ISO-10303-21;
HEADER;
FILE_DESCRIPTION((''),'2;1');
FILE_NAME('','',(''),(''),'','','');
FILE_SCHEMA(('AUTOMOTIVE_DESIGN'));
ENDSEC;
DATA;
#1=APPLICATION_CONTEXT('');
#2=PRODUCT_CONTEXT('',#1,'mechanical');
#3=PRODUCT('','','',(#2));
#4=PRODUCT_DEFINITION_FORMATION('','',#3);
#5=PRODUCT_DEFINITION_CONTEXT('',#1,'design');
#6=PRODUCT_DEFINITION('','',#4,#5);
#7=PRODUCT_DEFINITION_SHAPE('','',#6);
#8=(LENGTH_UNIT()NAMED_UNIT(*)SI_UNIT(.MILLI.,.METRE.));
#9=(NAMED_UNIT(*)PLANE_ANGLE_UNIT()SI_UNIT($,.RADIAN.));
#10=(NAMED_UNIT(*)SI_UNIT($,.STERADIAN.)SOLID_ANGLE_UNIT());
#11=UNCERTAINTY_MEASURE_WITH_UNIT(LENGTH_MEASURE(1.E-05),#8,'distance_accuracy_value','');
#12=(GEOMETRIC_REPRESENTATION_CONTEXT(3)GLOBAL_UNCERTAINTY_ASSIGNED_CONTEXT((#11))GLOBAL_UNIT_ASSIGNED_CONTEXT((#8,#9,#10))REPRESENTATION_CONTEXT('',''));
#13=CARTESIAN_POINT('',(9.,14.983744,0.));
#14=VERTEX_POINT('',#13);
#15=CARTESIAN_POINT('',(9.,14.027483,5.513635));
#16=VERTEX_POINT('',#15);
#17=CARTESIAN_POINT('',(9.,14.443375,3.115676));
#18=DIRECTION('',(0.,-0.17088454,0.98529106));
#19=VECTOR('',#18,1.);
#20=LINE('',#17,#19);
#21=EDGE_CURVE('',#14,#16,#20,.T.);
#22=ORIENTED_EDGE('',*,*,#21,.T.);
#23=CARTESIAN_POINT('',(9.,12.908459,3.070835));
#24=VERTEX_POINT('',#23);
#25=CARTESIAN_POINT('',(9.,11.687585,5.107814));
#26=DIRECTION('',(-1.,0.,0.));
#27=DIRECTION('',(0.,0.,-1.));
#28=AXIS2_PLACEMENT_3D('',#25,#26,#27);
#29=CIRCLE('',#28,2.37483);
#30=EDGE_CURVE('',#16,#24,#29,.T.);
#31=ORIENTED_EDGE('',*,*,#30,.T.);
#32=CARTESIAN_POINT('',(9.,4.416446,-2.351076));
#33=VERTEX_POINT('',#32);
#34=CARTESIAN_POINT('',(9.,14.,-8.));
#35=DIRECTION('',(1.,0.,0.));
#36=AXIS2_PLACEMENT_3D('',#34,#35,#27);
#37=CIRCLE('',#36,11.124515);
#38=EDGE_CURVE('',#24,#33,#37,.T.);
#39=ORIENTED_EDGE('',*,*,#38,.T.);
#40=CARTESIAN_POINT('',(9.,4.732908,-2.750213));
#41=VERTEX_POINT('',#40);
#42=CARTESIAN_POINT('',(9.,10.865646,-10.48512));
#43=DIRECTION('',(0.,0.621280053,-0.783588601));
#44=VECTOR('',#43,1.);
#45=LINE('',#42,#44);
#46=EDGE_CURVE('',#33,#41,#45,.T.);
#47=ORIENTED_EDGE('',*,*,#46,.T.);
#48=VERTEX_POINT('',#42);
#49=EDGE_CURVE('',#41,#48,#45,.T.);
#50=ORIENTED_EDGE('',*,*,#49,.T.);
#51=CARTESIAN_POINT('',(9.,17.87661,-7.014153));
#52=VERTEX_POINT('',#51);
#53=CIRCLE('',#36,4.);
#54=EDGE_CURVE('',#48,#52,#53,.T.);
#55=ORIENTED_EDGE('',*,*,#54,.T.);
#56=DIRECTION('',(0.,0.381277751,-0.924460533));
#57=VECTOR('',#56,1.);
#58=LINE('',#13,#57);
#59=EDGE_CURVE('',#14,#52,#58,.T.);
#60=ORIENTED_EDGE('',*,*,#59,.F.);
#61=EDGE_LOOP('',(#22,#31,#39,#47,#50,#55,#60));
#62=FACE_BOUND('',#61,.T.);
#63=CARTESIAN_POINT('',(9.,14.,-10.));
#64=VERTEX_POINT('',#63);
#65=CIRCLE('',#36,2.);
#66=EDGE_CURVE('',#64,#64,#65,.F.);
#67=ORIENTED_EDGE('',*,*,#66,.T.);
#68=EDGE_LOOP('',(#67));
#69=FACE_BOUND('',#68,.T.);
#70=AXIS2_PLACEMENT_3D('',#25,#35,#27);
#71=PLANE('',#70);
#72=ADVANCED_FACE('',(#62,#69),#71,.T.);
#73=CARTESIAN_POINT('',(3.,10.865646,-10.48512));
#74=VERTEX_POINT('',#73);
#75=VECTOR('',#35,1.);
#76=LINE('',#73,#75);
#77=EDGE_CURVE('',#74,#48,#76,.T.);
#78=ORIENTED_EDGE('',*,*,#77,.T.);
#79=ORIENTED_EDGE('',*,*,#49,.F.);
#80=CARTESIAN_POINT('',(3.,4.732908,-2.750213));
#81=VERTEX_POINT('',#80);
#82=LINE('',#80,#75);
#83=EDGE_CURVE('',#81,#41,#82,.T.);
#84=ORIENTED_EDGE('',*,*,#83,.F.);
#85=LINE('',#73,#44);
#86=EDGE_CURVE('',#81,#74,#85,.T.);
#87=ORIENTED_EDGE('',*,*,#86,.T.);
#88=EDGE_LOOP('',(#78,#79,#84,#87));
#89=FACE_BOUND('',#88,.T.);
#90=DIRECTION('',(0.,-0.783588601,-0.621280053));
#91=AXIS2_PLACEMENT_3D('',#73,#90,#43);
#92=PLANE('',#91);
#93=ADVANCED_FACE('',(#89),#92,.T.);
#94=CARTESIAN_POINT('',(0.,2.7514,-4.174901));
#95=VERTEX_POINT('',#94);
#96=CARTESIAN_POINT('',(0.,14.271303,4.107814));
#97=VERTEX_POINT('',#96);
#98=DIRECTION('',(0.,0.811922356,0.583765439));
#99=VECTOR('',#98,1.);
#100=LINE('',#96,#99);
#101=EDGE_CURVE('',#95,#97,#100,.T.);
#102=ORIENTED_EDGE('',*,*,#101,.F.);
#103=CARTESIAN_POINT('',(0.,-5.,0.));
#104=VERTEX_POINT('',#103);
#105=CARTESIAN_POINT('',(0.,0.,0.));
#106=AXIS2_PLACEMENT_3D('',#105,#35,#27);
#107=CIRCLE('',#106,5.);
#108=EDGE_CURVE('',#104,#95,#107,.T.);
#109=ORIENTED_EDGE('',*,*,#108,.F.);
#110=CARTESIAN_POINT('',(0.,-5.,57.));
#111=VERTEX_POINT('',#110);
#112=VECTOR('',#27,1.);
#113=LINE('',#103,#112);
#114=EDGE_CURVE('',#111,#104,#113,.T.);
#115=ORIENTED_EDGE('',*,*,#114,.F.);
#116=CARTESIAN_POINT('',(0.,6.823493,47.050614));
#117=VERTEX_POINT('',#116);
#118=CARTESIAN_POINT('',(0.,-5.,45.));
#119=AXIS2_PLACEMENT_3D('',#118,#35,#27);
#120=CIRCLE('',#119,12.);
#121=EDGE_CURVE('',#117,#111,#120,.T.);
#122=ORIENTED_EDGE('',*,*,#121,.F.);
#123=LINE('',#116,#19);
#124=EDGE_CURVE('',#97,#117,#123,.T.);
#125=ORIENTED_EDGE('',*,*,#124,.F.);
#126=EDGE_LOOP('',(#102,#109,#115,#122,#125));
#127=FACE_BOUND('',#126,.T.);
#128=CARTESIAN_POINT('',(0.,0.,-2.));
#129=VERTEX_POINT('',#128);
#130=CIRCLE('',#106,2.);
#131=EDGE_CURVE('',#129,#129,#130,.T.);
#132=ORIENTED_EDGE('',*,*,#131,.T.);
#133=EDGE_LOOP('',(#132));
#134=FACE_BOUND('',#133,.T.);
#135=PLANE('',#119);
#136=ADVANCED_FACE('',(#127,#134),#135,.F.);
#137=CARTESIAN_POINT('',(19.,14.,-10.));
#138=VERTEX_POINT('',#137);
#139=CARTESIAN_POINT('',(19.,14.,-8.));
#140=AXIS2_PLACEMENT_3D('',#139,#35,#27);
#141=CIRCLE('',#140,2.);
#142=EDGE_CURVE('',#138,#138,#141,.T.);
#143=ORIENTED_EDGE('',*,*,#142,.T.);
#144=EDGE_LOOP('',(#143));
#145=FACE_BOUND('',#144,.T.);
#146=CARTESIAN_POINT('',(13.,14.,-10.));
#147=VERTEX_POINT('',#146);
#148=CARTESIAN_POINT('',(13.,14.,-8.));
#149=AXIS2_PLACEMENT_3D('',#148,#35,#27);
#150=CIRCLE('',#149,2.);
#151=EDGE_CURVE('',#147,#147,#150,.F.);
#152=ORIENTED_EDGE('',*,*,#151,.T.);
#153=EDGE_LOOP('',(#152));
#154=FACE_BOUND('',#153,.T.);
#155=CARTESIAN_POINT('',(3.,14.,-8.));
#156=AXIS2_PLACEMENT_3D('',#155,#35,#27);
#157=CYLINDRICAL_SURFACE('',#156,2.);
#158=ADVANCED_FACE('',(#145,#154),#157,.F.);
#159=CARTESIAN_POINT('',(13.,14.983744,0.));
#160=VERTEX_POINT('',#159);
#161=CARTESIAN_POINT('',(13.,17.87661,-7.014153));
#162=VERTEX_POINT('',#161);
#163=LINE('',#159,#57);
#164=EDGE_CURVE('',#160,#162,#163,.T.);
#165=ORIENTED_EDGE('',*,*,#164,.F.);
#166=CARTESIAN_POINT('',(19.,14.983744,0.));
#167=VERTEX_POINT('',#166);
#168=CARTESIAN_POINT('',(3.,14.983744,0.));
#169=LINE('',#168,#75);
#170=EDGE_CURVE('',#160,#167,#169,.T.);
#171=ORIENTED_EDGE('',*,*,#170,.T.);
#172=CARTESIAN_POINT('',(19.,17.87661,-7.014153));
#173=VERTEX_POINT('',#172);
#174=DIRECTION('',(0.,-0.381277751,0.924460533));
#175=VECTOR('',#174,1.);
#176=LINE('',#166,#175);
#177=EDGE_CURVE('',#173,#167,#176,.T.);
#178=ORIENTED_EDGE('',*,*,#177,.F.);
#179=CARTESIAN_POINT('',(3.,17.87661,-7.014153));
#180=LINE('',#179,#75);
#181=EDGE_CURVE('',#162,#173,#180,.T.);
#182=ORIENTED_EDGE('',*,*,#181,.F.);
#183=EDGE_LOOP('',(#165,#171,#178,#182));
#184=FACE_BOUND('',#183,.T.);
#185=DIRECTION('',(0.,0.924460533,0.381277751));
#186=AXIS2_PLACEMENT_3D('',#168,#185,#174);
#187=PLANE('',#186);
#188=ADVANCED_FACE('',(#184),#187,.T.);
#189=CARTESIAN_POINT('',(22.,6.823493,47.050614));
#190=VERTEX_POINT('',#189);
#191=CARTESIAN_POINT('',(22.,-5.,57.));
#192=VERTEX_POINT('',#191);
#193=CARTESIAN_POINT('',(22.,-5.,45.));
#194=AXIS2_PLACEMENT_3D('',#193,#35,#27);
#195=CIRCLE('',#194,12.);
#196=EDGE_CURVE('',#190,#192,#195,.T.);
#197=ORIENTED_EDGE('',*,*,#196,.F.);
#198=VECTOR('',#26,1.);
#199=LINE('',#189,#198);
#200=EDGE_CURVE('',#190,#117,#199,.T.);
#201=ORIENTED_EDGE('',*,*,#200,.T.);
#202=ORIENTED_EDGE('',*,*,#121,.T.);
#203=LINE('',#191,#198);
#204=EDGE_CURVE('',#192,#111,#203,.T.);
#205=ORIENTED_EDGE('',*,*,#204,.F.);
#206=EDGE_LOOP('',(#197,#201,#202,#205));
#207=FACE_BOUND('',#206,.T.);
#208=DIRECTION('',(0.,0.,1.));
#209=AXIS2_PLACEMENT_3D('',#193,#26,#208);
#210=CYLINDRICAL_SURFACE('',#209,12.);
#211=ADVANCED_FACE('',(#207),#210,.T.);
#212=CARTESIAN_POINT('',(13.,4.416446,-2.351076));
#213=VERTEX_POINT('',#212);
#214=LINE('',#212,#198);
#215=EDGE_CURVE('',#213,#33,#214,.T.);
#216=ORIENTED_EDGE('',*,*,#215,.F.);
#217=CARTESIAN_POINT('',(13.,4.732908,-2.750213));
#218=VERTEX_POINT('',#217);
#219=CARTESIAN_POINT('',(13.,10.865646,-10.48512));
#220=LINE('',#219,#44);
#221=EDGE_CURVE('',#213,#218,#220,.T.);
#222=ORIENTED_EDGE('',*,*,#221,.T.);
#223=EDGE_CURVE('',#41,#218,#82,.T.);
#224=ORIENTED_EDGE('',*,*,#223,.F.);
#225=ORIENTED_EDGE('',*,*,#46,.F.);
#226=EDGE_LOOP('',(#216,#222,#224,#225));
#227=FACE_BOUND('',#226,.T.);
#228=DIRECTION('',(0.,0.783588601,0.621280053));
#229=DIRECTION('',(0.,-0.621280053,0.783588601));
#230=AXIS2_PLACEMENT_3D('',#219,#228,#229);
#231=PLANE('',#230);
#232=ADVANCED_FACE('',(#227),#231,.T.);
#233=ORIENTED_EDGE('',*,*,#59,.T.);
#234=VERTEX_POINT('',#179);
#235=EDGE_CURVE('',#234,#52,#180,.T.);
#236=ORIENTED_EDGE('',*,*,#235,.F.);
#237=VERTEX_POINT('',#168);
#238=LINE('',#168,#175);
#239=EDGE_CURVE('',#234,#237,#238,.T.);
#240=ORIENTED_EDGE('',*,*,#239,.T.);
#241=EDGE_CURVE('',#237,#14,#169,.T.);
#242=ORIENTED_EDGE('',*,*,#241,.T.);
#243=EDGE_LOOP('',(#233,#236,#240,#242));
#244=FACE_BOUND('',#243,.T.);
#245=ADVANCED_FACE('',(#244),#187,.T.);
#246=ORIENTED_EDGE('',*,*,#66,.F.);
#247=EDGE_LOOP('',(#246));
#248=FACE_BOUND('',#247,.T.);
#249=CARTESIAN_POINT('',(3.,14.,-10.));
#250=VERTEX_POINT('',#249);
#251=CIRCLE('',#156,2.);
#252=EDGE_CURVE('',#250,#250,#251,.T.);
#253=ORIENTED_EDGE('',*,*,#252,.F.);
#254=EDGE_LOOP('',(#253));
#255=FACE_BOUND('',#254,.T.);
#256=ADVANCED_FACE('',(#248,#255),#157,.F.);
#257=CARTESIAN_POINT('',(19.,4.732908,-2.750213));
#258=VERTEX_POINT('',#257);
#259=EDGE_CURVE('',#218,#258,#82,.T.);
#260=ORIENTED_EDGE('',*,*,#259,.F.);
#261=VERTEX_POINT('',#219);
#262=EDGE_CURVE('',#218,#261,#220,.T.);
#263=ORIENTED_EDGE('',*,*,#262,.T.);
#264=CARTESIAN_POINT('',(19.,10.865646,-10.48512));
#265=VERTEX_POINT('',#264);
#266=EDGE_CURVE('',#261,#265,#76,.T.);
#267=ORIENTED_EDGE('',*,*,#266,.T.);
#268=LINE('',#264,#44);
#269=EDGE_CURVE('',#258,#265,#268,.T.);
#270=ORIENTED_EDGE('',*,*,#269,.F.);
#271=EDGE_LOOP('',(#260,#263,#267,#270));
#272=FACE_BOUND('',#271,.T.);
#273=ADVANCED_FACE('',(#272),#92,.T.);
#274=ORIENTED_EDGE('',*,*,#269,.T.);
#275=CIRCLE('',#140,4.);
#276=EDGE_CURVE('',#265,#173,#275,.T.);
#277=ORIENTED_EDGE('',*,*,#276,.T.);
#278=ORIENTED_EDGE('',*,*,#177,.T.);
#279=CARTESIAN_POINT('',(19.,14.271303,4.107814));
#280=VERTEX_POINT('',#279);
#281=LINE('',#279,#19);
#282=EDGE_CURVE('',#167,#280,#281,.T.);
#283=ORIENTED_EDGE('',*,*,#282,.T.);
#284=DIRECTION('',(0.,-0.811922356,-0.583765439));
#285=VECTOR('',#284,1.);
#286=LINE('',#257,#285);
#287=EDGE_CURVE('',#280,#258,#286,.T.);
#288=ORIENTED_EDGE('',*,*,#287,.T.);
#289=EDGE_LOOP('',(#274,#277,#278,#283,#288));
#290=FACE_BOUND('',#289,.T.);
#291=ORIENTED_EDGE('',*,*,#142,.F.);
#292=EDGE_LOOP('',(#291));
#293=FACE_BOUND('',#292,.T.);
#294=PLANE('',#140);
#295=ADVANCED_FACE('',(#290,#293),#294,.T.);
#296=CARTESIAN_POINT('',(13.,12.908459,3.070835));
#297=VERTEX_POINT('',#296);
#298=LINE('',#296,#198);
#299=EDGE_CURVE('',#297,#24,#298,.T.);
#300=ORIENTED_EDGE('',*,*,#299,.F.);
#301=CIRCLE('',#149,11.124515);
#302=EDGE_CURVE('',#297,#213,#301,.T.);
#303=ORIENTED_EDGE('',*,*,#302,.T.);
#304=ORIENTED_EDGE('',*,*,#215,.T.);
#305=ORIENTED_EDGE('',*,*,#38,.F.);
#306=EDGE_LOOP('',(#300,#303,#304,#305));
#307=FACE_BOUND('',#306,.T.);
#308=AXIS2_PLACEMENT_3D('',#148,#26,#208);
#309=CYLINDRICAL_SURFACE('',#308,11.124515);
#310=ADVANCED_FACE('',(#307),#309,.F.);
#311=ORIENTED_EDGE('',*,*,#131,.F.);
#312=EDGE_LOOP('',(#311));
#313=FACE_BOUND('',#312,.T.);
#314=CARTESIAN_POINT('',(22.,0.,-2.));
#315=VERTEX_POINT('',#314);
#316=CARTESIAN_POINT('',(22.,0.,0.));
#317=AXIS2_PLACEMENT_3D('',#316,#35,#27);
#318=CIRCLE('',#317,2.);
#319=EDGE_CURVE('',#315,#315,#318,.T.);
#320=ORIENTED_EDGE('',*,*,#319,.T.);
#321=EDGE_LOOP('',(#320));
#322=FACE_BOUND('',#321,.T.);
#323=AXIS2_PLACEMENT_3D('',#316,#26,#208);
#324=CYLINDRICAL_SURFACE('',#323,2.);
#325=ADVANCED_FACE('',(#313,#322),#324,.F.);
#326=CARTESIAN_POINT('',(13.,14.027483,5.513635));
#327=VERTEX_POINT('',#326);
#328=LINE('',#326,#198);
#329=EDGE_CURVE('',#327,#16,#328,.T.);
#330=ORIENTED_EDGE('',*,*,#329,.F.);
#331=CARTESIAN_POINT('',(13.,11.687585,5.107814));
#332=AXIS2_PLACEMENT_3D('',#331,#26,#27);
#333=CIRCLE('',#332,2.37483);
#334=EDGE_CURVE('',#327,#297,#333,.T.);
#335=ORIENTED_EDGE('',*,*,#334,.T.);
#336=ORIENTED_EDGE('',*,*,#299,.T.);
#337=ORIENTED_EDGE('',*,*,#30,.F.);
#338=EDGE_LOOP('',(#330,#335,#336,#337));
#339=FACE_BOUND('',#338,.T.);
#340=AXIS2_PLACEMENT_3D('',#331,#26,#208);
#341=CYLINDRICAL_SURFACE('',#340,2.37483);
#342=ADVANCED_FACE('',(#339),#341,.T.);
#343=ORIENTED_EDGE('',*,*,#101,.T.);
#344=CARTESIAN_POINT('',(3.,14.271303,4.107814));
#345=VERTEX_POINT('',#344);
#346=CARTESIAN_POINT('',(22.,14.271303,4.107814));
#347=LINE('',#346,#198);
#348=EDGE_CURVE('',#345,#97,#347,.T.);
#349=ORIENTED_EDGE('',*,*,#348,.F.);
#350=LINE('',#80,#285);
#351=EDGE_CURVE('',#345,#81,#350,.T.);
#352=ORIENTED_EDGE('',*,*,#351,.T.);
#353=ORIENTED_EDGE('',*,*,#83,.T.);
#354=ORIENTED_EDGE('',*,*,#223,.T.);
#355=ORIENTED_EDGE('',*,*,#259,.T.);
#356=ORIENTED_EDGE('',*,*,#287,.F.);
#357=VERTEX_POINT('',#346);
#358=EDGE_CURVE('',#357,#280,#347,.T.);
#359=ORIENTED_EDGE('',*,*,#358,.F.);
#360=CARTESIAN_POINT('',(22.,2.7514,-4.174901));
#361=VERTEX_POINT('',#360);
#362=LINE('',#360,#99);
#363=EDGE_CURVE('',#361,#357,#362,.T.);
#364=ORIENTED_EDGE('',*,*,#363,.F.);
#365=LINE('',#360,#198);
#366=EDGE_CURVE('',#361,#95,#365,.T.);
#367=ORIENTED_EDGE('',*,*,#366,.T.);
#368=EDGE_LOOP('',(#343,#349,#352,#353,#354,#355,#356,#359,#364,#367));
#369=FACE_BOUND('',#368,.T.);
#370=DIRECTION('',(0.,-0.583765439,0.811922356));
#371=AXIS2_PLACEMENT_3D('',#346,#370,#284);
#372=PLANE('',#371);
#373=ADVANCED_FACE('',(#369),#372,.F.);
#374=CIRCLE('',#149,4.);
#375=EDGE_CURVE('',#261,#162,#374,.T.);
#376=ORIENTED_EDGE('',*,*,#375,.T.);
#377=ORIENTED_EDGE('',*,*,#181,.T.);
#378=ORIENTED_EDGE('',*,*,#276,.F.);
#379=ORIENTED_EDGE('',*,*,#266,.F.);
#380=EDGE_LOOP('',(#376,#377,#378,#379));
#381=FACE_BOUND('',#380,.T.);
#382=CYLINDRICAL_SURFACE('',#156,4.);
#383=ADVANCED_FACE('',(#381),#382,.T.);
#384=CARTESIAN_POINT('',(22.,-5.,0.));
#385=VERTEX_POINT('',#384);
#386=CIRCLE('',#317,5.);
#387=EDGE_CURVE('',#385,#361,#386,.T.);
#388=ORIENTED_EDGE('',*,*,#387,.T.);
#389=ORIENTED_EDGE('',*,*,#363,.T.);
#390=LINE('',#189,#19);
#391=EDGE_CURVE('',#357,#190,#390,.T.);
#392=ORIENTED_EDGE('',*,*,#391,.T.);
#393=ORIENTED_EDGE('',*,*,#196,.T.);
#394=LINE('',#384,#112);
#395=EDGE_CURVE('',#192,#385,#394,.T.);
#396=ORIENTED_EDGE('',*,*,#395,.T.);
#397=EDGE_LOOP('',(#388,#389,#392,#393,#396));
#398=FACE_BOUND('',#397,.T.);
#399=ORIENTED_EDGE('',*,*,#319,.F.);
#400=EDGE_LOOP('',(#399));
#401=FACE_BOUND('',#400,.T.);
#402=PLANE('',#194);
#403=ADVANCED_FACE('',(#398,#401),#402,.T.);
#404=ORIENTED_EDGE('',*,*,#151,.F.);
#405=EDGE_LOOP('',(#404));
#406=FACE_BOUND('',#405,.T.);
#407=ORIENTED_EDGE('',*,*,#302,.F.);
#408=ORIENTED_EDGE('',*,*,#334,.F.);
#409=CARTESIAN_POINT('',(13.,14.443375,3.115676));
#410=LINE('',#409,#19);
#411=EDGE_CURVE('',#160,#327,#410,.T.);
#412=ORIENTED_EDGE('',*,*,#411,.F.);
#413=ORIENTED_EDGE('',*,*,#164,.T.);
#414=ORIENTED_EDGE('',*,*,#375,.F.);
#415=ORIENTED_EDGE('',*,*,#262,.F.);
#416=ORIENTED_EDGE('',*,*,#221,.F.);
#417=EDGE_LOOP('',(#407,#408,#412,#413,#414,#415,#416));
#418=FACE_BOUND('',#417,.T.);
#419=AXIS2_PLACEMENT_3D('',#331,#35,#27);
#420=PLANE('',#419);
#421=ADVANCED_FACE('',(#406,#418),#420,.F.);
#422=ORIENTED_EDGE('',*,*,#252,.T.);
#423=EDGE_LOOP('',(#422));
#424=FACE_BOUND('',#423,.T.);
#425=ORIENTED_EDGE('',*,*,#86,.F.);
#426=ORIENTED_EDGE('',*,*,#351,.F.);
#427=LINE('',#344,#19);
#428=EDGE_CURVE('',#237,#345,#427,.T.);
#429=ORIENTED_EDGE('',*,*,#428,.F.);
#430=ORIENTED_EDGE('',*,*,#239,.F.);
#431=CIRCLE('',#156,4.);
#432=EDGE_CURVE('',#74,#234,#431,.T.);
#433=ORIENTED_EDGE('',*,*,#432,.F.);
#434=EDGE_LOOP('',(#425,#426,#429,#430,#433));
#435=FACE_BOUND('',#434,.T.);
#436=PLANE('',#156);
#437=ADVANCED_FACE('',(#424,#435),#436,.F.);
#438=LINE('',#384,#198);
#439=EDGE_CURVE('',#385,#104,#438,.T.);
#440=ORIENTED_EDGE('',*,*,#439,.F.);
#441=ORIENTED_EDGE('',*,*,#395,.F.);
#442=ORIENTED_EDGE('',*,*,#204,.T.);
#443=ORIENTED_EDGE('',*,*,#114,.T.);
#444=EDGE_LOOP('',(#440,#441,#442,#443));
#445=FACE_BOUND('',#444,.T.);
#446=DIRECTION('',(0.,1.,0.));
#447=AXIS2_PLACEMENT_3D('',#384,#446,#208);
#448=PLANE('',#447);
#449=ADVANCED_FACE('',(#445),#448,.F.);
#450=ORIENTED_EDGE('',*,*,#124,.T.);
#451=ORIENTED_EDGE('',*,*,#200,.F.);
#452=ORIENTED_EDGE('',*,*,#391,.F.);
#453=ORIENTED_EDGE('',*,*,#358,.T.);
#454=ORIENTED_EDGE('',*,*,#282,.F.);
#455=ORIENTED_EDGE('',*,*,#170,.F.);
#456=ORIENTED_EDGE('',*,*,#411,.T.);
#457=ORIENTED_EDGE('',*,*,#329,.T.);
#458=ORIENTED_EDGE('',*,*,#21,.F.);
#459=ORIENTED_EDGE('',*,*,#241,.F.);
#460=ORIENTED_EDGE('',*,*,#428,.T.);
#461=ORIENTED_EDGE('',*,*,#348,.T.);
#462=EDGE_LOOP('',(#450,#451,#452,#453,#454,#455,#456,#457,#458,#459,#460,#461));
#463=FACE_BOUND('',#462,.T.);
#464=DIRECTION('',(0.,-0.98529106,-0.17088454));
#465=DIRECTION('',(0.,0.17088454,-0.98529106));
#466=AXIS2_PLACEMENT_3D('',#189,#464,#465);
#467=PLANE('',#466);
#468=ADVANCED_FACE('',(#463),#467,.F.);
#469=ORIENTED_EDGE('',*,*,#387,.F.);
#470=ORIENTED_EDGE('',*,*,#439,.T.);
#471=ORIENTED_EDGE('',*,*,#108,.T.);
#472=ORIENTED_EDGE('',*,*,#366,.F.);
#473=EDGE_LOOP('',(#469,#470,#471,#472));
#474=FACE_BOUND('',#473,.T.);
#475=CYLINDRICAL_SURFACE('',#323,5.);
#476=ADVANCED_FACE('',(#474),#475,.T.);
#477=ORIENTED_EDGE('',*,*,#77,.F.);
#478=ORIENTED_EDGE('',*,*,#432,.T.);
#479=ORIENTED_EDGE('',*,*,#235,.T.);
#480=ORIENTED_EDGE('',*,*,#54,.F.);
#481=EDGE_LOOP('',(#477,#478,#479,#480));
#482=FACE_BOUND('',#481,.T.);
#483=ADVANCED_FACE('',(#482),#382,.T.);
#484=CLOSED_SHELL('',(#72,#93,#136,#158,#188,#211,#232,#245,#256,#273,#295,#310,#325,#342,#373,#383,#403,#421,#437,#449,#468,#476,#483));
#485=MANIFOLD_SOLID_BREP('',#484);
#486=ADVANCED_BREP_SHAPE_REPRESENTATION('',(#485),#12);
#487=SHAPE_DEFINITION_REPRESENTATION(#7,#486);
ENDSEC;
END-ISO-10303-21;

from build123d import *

# Parameters (mm, degrees)
SKETCH2_R                = 2
BOSS_EXTRUDE1_DEPTH      = 22
BOSS_EXTRUDE2_DEPTH      = 8
BOSS_EXTRUDE2_DEPTH_BACK = 8
SKETCH5_R                = 2
CUT_EXTRUDE1_DEPTH       = 2
CUT_EXTRUDE1_DEPTH_BACK  = 2


with BuildPart() as part:
    # Sketch2 → Boss-Extrude1 (new body)
    with BuildSketch(Plane.YZ):
        with BuildLine():
            Line((14.2713029, 4.10781366), (3.081429665, -3.937612376))
            Line((3.081429665, -3.937612376), (2.751400089, -4.174900903))
            ThreePointArc((2.751400089, -4.174900903), (-2.370970219, -4.402101796), (-5, 0))
            Line((-5, 0), (-5, 57))
            ThreePointArc((-5, 57), (2.726338919, 54.181703922), (6.823492726, 47.050614486))
            Line((6.823492726, 47.050614486), (14.2713029, 4.10781366))
        make_face()
        with Locations(Location((0, 0, 0), (0, 0, 270))):
            Circle(SKETCH2_R, mode=Mode.SUBTRACT)
    extrude(amount=BOSS_EXTRUDE1_DEPTH)

    # Sketch5 → Boss-Extrude2 (add, two sides: drawn at the far end of the back side and taken through both)
    with BuildSketch(Plane.YZ.offset(11).offset(-BOSS_EXTRUDE2_DEPTH_BACK)):
        with BuildLine():
            Line((14.2713029, 4.10781366), (14.983744003, 0))
            Line((14.983744003, 0), (17.876610129, -7.014153205))
            ThreePointArc((17.876610129, -7.014153205), (15.774722197, -11.584740035), (10.865645594, -10.48512021))
            Line((10.865645594, -10.48512021), (4.732907846, -2.750213262))
            Line((4.732907846, -2.750213262), (14.2713029, 4.10781366))
        make_face()
        with Locations(Location((14, -8, 0), (0, 0, 270))):
            Circle(SKETCH5_R, mode=Mode.SUBTRACT)
    extrude(amount=BOSS_EXTRUDE2_DEPTH + BOSS_EXTRUDE2_DEPTH_BACK)

    # Sketch6 → Cut-Extrude1 (cut, two sides: drawn at the far end of the back side and taken through both)
    with BuildSketch(Plane.YZ.offset(11).offset(-CUT_EXTRUDE1_DEPTH_BACK)):
        with BuildLine():
            Line((14.027483372, 5.513635398), (14.4433748, 3.11567649))
            Line((14.4433748, 3.11567649), (14.983744003, 0))
            Line((14.983744003, 0), (17.444478514, -5.966390458))
            ThreePointArc((17.444478514, -5.966390458), (16.264679643, -11.297154245), (10.865645594, -10.48512021))
            Line((10.865645594, -10.48512021), (4.41644607, -2.351076288))
            ThreePointArc((4.41644607, -2.351076288), (8.013457441, 1.376361406), (12.908459217, 3.070834826))
            ThreePointArc((12.908459217, 3.070834826), (13.846657415, 4.118762533), (14.027483372, 5.513635398))
        make_face()
    extrude(amount=CUT_EXTRUDE1_DEPTH + CUT_EXTRUDE1_DEPTH_BACK, mode=Mode.SUBTRACT)


solid = part.part
